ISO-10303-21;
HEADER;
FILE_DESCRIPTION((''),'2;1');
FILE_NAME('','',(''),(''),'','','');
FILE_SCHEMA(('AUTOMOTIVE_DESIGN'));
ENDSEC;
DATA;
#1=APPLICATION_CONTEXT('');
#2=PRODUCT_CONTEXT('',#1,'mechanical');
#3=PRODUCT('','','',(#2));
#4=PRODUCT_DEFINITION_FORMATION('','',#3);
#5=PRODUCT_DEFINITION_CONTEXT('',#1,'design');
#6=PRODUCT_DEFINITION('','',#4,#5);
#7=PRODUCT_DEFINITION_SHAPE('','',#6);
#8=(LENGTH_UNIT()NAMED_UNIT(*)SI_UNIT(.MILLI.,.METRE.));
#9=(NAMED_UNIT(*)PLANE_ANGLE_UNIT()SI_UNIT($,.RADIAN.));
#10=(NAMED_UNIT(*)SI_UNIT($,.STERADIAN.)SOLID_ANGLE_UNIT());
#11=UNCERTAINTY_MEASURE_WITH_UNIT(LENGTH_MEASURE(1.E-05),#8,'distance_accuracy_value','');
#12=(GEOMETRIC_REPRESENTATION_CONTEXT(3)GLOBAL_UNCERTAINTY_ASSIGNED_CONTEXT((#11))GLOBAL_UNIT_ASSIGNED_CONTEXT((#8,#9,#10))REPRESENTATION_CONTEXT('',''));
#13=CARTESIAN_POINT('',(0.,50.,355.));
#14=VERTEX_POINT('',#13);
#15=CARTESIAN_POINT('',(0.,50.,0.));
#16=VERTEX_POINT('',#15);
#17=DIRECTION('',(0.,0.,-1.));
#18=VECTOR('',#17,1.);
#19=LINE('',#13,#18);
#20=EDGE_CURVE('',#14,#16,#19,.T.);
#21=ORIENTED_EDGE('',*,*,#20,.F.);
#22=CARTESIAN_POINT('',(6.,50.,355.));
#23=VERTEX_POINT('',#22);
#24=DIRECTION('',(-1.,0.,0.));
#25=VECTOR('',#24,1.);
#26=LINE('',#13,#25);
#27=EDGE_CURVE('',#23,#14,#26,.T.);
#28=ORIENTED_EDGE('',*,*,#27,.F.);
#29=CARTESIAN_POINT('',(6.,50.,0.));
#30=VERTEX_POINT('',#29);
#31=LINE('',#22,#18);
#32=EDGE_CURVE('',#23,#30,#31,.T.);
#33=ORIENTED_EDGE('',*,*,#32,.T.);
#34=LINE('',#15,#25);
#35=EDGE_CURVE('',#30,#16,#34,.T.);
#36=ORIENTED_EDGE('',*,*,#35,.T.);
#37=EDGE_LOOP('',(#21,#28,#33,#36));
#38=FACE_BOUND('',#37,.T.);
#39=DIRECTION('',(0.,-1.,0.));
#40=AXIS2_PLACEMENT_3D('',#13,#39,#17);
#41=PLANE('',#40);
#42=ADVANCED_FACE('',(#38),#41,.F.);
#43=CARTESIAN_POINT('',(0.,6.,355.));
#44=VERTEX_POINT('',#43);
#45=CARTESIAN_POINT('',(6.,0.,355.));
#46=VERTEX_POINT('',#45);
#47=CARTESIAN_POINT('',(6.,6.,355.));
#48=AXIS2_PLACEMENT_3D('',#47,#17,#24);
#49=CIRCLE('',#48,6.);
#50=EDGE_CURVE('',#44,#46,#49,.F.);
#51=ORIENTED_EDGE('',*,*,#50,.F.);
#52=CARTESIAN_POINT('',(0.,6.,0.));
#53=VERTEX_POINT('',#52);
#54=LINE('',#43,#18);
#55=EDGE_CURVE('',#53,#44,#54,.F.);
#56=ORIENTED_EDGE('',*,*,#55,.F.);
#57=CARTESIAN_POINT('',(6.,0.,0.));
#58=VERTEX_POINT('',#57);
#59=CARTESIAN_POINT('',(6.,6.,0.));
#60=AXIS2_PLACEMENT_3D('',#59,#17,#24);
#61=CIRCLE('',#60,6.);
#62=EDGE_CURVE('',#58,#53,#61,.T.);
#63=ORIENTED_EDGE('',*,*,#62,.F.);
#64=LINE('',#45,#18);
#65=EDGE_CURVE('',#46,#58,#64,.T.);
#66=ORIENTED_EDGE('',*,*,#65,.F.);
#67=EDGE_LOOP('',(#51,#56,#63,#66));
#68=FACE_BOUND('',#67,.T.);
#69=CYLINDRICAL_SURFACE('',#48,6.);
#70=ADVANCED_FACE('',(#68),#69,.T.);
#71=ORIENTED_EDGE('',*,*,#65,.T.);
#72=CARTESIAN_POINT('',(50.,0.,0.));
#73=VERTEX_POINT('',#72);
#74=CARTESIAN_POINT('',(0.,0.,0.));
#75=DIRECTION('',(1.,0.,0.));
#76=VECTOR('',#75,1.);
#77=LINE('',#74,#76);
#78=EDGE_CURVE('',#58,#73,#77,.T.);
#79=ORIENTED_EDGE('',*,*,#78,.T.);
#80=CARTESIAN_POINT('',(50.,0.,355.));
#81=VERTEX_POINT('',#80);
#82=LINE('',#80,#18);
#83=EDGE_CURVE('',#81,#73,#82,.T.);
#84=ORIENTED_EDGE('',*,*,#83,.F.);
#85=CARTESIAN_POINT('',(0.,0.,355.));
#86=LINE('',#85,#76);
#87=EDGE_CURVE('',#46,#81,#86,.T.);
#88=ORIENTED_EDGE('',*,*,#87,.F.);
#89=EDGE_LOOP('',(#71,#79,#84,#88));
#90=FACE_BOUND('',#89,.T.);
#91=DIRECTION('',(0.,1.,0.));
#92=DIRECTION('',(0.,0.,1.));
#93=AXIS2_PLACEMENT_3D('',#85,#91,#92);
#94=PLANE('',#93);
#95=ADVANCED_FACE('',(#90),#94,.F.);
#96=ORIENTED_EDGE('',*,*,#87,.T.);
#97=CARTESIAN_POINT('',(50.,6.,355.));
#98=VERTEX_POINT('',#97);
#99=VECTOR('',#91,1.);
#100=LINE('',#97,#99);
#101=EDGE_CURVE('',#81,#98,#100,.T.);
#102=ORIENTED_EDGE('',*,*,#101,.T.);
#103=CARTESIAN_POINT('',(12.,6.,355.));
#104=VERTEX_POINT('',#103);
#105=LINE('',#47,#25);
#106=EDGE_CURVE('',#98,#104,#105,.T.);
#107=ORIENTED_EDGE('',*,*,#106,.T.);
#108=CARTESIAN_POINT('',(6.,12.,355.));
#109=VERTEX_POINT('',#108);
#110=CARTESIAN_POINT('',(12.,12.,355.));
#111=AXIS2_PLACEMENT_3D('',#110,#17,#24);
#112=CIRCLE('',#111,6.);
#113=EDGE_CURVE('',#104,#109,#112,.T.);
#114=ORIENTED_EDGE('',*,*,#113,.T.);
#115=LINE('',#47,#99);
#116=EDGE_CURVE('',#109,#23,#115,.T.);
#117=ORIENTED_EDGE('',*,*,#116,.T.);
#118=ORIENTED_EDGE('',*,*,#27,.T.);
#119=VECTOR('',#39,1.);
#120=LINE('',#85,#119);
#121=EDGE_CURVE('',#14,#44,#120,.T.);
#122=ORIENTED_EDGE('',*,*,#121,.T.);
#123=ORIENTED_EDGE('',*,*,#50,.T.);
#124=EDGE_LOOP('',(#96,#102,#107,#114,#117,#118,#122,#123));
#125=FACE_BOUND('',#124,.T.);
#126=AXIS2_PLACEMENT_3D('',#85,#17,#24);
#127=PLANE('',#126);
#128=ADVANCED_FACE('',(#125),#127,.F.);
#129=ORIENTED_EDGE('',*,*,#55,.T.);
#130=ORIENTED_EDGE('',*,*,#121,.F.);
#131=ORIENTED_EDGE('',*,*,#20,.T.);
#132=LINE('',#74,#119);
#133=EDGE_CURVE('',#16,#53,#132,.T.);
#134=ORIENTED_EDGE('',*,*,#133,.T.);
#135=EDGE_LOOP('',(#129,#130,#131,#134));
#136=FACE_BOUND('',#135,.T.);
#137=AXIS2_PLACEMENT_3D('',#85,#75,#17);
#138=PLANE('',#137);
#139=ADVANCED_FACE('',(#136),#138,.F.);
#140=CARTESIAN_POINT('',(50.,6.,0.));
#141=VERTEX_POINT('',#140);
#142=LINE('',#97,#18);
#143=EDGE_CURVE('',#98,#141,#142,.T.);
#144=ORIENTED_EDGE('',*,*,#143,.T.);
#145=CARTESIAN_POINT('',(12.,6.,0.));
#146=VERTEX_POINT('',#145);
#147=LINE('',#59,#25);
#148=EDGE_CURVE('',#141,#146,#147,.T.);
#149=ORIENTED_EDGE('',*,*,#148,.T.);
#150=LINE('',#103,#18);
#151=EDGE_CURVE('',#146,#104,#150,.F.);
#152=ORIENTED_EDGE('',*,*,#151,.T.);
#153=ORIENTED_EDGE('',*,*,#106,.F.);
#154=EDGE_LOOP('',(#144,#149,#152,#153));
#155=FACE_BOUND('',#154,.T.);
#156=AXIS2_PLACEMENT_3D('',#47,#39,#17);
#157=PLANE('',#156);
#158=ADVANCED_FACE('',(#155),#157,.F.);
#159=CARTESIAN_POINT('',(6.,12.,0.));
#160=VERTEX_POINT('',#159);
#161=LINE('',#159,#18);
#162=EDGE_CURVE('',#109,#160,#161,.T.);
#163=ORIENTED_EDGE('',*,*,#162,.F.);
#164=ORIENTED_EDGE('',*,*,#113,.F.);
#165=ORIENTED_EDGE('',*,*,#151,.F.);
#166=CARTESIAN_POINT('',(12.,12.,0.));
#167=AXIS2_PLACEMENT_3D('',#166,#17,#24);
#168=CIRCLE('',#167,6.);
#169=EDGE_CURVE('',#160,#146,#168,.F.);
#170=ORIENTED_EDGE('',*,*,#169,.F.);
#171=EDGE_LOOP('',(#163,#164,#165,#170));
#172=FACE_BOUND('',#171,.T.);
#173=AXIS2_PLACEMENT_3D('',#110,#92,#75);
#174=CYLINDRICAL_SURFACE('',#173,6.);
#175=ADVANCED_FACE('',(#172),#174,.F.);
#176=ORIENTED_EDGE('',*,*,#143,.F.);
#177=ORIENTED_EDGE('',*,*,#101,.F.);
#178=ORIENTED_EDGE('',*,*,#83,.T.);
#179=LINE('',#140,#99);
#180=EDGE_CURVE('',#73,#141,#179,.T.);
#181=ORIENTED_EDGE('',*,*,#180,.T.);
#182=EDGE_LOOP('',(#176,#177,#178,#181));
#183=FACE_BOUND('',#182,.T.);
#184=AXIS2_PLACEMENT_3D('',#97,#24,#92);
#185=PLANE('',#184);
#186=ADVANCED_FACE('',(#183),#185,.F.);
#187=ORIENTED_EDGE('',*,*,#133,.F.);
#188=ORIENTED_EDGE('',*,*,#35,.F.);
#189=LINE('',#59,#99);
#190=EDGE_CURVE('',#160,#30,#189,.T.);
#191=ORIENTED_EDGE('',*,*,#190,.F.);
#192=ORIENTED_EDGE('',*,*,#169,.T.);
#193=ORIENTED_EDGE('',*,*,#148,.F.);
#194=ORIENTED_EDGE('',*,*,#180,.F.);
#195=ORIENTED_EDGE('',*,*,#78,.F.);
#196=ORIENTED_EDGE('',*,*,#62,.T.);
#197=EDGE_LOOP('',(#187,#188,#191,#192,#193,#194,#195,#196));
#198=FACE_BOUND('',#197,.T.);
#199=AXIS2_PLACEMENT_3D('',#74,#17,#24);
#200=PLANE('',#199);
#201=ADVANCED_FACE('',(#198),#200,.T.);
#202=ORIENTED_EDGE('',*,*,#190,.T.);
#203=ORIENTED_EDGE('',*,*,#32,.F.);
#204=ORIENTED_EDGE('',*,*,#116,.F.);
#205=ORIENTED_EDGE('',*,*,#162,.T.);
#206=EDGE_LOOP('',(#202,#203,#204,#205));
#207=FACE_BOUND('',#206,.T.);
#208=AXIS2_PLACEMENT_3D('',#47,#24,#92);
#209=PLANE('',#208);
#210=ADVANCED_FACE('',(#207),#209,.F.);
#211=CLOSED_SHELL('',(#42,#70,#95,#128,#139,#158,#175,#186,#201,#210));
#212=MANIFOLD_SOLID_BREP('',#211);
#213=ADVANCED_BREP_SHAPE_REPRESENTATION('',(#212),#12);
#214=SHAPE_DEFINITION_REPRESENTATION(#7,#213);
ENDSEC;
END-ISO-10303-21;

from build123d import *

# Parameters (mm, degrees)
BOSS_EXTRUDE1_DEPTH = 355
FILLET1_R           = 6


with BuildPart() as part:
    # Sketch1 → Boss-Extrude1 (new body)
    with BuildSketch(Plane.XY):
        Polygon((0, 0), (0, 50), (6, 50), (6, 6), (50, 6), (50, 0), align=None)
    extrude(amount=BOSS_EXTRUDE1_DEPTH)

    # Fillet1
    fillet1_edges = [part.edges().sort_by_distance(p)[0] for p in [
        (0, 0, 177.5),
        (6, 6, 177.5),
    ]]
    fillet(fillet1_edges, radius=FILLET1_R)


solid = part.part
